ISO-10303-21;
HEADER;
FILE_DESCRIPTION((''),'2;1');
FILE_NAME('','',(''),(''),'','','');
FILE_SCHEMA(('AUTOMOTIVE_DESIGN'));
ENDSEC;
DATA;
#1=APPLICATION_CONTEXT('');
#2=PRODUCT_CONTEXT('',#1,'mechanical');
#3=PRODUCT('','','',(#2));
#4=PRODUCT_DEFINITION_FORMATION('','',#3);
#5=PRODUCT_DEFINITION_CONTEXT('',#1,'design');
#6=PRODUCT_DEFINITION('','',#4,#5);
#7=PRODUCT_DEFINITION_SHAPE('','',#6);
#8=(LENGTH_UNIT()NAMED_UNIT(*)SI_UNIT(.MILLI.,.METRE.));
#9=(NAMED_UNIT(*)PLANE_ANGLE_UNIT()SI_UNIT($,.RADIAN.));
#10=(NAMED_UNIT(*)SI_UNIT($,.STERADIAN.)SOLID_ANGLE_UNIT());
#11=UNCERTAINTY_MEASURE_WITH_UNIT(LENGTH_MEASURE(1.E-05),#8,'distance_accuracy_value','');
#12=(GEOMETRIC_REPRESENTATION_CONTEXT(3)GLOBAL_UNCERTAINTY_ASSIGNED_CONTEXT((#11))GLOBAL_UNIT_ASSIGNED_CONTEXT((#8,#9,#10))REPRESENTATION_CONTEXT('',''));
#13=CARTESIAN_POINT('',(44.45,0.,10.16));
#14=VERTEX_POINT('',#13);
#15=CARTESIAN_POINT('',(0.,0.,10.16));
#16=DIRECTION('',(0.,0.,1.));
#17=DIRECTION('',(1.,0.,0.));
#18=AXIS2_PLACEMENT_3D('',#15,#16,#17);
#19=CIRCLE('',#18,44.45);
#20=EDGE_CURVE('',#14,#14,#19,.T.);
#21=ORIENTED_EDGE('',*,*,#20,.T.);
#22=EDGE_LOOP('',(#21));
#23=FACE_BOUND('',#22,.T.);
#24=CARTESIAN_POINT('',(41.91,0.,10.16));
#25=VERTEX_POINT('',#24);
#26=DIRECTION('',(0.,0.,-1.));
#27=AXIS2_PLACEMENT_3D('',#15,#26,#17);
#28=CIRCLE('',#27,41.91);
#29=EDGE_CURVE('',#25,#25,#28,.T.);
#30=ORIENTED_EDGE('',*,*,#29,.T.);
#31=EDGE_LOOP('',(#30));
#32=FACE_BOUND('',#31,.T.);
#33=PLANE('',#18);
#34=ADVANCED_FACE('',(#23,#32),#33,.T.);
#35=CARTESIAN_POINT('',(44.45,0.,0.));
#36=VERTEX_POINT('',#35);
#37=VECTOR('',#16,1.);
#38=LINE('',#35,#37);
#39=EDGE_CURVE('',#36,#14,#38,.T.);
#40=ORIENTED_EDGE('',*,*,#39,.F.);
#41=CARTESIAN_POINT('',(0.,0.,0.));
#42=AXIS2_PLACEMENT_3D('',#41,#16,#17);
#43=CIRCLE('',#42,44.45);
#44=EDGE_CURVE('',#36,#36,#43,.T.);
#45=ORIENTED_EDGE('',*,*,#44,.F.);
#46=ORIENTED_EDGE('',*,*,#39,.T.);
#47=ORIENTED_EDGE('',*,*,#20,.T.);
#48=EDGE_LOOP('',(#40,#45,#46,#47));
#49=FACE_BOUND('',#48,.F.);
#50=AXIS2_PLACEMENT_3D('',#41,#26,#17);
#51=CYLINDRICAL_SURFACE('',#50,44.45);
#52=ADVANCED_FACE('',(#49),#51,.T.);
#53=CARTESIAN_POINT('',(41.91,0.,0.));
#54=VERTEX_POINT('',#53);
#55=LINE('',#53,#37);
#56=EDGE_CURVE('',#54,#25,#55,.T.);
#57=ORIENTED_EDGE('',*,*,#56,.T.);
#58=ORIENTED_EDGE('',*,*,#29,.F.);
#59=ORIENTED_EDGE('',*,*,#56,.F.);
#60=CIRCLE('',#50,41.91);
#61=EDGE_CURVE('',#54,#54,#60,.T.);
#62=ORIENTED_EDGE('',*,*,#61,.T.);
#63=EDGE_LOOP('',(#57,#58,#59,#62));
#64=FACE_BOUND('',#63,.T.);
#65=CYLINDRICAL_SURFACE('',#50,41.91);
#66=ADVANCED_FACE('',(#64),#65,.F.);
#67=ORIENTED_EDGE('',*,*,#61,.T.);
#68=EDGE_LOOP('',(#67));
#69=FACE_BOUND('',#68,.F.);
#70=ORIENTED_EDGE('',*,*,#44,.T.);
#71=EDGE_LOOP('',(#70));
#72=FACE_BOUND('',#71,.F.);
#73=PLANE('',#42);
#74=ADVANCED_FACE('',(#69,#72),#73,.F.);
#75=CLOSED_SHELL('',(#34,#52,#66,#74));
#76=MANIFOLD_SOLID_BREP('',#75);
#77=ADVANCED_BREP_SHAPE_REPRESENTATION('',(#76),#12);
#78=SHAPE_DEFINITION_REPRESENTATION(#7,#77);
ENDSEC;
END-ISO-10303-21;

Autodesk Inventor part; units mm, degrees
ref_plane "YZ Plane" through (0, 0, 0) normal (1, 0, 0) x (0, 1, 0)
ref_plane "XZ Plane" through (0, 0, 0) normal (0, 1, 0) x (-1, 0, 0)
ref_plane "XY Plane" through (0, 0, 0) normal (0, 0, 1) x (1, 0, 0)
sketch "Sketch1" plane through (0, 0, 0) normal (0, 0, 1) x (1, 0, 0)
  circle A0 centre (0, 0) radius 44.45
  dimension "d0" = 88.9
extrude "Extrusion1" add sketch "Sketch1" along normal blind 10.16
shell "Shell1" thickness 2.54 removed faces 2 at (5.6595, 0, 0) at (5.6595, 0, 10.16)
properties part number "popper"
